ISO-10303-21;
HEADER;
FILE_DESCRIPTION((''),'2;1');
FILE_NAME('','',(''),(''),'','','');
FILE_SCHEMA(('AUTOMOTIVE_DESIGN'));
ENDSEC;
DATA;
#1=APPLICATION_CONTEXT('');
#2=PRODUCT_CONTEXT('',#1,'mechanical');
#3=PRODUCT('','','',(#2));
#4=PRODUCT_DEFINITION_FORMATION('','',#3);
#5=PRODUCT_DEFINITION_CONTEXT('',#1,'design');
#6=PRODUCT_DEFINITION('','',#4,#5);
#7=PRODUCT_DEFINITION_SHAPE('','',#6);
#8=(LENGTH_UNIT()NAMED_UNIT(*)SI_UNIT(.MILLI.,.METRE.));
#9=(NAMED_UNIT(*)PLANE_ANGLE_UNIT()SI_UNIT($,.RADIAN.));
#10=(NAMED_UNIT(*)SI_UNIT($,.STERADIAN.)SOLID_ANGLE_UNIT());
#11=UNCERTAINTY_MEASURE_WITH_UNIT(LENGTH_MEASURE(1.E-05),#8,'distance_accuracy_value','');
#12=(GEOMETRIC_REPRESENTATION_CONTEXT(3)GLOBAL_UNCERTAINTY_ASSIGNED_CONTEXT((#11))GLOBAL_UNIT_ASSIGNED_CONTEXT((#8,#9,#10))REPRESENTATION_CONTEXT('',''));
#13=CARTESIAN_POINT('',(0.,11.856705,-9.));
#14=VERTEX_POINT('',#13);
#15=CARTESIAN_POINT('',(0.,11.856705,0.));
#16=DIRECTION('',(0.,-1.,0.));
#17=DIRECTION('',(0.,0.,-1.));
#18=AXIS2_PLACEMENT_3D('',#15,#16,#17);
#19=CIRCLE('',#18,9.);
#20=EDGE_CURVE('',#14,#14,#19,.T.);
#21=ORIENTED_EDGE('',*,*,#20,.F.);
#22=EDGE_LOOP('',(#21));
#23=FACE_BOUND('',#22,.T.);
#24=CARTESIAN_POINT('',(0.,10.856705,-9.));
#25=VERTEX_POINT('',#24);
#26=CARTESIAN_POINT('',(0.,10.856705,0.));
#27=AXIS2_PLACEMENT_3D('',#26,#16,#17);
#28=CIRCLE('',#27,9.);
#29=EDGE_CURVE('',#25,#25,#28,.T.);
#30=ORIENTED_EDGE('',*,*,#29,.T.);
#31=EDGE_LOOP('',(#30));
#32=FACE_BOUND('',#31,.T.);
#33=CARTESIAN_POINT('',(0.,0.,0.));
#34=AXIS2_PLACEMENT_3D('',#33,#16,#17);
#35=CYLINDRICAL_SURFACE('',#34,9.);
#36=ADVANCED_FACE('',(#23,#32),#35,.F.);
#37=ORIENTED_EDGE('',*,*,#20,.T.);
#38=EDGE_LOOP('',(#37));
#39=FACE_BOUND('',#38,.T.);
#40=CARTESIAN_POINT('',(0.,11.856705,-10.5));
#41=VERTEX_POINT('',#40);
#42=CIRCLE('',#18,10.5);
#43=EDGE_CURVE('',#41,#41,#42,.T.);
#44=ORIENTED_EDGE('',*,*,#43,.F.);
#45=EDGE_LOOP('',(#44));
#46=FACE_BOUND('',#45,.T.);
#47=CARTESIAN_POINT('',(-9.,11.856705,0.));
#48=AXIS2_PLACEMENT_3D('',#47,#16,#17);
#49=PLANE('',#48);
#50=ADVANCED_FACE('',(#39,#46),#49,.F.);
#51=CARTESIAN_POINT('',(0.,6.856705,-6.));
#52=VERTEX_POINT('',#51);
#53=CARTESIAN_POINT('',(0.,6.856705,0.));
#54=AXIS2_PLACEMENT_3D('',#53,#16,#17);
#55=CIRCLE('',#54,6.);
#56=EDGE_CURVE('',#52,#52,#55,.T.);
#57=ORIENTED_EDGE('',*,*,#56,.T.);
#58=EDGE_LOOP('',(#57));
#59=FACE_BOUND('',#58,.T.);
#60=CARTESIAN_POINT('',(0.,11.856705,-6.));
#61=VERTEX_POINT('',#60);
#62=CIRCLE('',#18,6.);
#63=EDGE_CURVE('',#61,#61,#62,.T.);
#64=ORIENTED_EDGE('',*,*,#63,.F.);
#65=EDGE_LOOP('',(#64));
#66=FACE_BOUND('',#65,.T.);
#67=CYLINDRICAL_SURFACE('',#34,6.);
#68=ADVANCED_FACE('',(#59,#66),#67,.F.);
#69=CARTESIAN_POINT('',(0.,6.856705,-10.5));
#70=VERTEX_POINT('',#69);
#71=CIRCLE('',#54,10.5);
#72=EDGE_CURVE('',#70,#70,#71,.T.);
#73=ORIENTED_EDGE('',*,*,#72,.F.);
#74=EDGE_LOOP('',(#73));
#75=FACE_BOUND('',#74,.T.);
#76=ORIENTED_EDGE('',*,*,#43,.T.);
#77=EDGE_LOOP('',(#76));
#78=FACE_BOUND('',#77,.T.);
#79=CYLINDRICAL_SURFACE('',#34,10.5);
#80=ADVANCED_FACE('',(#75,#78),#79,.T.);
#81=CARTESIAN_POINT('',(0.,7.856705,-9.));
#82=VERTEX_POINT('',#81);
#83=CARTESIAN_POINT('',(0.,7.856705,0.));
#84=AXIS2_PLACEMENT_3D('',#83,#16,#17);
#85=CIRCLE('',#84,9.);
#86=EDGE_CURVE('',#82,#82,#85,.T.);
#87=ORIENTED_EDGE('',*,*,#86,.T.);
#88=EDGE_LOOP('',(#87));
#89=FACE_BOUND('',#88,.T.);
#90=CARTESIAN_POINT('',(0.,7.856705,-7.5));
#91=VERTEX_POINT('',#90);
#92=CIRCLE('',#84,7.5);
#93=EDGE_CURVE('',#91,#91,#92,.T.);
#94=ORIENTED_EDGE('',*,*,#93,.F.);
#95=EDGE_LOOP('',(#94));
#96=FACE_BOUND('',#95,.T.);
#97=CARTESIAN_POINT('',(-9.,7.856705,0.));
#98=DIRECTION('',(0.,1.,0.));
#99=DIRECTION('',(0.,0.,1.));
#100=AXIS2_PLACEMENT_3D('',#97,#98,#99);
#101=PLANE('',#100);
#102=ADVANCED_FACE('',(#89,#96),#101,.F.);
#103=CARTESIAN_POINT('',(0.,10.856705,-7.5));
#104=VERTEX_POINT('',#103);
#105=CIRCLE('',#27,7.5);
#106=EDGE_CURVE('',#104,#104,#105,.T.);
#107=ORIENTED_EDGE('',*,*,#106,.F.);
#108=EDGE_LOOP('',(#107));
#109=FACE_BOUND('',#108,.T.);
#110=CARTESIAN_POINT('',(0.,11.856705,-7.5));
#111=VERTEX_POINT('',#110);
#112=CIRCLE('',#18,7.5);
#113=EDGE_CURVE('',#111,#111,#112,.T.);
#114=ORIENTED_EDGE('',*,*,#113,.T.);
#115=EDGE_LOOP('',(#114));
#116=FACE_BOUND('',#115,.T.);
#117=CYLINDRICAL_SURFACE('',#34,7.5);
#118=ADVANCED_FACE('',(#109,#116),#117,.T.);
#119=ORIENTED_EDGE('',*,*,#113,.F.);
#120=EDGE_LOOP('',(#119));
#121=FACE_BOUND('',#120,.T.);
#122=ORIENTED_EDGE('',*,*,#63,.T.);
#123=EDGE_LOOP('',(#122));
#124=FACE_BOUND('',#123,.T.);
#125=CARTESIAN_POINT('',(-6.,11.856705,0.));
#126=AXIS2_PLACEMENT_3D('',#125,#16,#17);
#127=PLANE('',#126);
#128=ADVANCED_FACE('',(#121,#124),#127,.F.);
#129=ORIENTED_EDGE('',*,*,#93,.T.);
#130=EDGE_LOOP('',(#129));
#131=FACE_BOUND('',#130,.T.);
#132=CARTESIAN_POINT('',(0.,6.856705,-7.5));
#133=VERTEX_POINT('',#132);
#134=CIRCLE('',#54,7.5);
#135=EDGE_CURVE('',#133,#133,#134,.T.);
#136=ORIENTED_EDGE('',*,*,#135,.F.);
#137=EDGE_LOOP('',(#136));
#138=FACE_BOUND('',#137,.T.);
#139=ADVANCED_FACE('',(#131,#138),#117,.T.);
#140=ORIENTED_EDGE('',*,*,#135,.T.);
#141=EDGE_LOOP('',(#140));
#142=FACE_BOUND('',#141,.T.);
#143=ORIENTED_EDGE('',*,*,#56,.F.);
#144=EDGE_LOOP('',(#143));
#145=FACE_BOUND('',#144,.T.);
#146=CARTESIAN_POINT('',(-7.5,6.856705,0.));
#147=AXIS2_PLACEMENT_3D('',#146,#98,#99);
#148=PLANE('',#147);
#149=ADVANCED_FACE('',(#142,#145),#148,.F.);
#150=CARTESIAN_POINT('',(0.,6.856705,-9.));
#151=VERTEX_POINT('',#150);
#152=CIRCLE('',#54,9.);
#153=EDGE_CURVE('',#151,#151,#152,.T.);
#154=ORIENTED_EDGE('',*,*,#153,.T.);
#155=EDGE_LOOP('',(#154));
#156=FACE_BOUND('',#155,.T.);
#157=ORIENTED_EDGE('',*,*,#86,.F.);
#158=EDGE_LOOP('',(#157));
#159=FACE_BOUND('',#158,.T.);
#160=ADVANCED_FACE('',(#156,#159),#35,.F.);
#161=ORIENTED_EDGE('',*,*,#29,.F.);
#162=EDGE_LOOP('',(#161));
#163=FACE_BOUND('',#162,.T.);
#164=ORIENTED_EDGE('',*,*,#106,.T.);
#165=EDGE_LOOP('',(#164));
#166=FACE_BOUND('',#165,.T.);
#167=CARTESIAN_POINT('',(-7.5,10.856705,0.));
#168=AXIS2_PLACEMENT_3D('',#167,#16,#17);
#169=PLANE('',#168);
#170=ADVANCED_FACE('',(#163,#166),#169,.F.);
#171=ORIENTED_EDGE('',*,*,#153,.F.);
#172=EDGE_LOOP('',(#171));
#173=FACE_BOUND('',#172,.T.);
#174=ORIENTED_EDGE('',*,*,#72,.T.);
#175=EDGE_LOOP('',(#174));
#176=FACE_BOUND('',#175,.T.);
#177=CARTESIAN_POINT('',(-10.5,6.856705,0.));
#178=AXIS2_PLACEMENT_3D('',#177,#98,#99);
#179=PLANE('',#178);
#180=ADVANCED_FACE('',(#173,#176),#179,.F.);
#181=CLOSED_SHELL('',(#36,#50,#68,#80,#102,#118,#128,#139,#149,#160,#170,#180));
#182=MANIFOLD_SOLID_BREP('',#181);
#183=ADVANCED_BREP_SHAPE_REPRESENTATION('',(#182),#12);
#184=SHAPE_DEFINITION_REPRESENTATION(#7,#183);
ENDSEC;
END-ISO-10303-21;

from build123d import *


with BuildPart() as part:
    # Croquis1 → Revolución1 (revolve)
    with BuildSketch(Plane.XY, mode=Mode.PRIVATE) as revoluci_n1_sk:
        Polygon((-6, 6.856705357), (-6, 11.856705357), (-7.5, 11.856705357), (-7.5, 10.856705357), (-9, 10.856705357), (-9, 11.856705357), (-10.5, 11.856705357), (-10.5, 6.856705357), (-9, 6.856705357), (-9, 7.856705357), (-7.5, 7.856705357), (-7.5, 6.856705357), align=None)
    revolve(revoluci_n1_sk.sketch.rotate(Axis((0, 0, 0), (0, 1, 0)), 270), axis=Axis((0, 0, 0), (0, 1, 0)))


solid = part.part
